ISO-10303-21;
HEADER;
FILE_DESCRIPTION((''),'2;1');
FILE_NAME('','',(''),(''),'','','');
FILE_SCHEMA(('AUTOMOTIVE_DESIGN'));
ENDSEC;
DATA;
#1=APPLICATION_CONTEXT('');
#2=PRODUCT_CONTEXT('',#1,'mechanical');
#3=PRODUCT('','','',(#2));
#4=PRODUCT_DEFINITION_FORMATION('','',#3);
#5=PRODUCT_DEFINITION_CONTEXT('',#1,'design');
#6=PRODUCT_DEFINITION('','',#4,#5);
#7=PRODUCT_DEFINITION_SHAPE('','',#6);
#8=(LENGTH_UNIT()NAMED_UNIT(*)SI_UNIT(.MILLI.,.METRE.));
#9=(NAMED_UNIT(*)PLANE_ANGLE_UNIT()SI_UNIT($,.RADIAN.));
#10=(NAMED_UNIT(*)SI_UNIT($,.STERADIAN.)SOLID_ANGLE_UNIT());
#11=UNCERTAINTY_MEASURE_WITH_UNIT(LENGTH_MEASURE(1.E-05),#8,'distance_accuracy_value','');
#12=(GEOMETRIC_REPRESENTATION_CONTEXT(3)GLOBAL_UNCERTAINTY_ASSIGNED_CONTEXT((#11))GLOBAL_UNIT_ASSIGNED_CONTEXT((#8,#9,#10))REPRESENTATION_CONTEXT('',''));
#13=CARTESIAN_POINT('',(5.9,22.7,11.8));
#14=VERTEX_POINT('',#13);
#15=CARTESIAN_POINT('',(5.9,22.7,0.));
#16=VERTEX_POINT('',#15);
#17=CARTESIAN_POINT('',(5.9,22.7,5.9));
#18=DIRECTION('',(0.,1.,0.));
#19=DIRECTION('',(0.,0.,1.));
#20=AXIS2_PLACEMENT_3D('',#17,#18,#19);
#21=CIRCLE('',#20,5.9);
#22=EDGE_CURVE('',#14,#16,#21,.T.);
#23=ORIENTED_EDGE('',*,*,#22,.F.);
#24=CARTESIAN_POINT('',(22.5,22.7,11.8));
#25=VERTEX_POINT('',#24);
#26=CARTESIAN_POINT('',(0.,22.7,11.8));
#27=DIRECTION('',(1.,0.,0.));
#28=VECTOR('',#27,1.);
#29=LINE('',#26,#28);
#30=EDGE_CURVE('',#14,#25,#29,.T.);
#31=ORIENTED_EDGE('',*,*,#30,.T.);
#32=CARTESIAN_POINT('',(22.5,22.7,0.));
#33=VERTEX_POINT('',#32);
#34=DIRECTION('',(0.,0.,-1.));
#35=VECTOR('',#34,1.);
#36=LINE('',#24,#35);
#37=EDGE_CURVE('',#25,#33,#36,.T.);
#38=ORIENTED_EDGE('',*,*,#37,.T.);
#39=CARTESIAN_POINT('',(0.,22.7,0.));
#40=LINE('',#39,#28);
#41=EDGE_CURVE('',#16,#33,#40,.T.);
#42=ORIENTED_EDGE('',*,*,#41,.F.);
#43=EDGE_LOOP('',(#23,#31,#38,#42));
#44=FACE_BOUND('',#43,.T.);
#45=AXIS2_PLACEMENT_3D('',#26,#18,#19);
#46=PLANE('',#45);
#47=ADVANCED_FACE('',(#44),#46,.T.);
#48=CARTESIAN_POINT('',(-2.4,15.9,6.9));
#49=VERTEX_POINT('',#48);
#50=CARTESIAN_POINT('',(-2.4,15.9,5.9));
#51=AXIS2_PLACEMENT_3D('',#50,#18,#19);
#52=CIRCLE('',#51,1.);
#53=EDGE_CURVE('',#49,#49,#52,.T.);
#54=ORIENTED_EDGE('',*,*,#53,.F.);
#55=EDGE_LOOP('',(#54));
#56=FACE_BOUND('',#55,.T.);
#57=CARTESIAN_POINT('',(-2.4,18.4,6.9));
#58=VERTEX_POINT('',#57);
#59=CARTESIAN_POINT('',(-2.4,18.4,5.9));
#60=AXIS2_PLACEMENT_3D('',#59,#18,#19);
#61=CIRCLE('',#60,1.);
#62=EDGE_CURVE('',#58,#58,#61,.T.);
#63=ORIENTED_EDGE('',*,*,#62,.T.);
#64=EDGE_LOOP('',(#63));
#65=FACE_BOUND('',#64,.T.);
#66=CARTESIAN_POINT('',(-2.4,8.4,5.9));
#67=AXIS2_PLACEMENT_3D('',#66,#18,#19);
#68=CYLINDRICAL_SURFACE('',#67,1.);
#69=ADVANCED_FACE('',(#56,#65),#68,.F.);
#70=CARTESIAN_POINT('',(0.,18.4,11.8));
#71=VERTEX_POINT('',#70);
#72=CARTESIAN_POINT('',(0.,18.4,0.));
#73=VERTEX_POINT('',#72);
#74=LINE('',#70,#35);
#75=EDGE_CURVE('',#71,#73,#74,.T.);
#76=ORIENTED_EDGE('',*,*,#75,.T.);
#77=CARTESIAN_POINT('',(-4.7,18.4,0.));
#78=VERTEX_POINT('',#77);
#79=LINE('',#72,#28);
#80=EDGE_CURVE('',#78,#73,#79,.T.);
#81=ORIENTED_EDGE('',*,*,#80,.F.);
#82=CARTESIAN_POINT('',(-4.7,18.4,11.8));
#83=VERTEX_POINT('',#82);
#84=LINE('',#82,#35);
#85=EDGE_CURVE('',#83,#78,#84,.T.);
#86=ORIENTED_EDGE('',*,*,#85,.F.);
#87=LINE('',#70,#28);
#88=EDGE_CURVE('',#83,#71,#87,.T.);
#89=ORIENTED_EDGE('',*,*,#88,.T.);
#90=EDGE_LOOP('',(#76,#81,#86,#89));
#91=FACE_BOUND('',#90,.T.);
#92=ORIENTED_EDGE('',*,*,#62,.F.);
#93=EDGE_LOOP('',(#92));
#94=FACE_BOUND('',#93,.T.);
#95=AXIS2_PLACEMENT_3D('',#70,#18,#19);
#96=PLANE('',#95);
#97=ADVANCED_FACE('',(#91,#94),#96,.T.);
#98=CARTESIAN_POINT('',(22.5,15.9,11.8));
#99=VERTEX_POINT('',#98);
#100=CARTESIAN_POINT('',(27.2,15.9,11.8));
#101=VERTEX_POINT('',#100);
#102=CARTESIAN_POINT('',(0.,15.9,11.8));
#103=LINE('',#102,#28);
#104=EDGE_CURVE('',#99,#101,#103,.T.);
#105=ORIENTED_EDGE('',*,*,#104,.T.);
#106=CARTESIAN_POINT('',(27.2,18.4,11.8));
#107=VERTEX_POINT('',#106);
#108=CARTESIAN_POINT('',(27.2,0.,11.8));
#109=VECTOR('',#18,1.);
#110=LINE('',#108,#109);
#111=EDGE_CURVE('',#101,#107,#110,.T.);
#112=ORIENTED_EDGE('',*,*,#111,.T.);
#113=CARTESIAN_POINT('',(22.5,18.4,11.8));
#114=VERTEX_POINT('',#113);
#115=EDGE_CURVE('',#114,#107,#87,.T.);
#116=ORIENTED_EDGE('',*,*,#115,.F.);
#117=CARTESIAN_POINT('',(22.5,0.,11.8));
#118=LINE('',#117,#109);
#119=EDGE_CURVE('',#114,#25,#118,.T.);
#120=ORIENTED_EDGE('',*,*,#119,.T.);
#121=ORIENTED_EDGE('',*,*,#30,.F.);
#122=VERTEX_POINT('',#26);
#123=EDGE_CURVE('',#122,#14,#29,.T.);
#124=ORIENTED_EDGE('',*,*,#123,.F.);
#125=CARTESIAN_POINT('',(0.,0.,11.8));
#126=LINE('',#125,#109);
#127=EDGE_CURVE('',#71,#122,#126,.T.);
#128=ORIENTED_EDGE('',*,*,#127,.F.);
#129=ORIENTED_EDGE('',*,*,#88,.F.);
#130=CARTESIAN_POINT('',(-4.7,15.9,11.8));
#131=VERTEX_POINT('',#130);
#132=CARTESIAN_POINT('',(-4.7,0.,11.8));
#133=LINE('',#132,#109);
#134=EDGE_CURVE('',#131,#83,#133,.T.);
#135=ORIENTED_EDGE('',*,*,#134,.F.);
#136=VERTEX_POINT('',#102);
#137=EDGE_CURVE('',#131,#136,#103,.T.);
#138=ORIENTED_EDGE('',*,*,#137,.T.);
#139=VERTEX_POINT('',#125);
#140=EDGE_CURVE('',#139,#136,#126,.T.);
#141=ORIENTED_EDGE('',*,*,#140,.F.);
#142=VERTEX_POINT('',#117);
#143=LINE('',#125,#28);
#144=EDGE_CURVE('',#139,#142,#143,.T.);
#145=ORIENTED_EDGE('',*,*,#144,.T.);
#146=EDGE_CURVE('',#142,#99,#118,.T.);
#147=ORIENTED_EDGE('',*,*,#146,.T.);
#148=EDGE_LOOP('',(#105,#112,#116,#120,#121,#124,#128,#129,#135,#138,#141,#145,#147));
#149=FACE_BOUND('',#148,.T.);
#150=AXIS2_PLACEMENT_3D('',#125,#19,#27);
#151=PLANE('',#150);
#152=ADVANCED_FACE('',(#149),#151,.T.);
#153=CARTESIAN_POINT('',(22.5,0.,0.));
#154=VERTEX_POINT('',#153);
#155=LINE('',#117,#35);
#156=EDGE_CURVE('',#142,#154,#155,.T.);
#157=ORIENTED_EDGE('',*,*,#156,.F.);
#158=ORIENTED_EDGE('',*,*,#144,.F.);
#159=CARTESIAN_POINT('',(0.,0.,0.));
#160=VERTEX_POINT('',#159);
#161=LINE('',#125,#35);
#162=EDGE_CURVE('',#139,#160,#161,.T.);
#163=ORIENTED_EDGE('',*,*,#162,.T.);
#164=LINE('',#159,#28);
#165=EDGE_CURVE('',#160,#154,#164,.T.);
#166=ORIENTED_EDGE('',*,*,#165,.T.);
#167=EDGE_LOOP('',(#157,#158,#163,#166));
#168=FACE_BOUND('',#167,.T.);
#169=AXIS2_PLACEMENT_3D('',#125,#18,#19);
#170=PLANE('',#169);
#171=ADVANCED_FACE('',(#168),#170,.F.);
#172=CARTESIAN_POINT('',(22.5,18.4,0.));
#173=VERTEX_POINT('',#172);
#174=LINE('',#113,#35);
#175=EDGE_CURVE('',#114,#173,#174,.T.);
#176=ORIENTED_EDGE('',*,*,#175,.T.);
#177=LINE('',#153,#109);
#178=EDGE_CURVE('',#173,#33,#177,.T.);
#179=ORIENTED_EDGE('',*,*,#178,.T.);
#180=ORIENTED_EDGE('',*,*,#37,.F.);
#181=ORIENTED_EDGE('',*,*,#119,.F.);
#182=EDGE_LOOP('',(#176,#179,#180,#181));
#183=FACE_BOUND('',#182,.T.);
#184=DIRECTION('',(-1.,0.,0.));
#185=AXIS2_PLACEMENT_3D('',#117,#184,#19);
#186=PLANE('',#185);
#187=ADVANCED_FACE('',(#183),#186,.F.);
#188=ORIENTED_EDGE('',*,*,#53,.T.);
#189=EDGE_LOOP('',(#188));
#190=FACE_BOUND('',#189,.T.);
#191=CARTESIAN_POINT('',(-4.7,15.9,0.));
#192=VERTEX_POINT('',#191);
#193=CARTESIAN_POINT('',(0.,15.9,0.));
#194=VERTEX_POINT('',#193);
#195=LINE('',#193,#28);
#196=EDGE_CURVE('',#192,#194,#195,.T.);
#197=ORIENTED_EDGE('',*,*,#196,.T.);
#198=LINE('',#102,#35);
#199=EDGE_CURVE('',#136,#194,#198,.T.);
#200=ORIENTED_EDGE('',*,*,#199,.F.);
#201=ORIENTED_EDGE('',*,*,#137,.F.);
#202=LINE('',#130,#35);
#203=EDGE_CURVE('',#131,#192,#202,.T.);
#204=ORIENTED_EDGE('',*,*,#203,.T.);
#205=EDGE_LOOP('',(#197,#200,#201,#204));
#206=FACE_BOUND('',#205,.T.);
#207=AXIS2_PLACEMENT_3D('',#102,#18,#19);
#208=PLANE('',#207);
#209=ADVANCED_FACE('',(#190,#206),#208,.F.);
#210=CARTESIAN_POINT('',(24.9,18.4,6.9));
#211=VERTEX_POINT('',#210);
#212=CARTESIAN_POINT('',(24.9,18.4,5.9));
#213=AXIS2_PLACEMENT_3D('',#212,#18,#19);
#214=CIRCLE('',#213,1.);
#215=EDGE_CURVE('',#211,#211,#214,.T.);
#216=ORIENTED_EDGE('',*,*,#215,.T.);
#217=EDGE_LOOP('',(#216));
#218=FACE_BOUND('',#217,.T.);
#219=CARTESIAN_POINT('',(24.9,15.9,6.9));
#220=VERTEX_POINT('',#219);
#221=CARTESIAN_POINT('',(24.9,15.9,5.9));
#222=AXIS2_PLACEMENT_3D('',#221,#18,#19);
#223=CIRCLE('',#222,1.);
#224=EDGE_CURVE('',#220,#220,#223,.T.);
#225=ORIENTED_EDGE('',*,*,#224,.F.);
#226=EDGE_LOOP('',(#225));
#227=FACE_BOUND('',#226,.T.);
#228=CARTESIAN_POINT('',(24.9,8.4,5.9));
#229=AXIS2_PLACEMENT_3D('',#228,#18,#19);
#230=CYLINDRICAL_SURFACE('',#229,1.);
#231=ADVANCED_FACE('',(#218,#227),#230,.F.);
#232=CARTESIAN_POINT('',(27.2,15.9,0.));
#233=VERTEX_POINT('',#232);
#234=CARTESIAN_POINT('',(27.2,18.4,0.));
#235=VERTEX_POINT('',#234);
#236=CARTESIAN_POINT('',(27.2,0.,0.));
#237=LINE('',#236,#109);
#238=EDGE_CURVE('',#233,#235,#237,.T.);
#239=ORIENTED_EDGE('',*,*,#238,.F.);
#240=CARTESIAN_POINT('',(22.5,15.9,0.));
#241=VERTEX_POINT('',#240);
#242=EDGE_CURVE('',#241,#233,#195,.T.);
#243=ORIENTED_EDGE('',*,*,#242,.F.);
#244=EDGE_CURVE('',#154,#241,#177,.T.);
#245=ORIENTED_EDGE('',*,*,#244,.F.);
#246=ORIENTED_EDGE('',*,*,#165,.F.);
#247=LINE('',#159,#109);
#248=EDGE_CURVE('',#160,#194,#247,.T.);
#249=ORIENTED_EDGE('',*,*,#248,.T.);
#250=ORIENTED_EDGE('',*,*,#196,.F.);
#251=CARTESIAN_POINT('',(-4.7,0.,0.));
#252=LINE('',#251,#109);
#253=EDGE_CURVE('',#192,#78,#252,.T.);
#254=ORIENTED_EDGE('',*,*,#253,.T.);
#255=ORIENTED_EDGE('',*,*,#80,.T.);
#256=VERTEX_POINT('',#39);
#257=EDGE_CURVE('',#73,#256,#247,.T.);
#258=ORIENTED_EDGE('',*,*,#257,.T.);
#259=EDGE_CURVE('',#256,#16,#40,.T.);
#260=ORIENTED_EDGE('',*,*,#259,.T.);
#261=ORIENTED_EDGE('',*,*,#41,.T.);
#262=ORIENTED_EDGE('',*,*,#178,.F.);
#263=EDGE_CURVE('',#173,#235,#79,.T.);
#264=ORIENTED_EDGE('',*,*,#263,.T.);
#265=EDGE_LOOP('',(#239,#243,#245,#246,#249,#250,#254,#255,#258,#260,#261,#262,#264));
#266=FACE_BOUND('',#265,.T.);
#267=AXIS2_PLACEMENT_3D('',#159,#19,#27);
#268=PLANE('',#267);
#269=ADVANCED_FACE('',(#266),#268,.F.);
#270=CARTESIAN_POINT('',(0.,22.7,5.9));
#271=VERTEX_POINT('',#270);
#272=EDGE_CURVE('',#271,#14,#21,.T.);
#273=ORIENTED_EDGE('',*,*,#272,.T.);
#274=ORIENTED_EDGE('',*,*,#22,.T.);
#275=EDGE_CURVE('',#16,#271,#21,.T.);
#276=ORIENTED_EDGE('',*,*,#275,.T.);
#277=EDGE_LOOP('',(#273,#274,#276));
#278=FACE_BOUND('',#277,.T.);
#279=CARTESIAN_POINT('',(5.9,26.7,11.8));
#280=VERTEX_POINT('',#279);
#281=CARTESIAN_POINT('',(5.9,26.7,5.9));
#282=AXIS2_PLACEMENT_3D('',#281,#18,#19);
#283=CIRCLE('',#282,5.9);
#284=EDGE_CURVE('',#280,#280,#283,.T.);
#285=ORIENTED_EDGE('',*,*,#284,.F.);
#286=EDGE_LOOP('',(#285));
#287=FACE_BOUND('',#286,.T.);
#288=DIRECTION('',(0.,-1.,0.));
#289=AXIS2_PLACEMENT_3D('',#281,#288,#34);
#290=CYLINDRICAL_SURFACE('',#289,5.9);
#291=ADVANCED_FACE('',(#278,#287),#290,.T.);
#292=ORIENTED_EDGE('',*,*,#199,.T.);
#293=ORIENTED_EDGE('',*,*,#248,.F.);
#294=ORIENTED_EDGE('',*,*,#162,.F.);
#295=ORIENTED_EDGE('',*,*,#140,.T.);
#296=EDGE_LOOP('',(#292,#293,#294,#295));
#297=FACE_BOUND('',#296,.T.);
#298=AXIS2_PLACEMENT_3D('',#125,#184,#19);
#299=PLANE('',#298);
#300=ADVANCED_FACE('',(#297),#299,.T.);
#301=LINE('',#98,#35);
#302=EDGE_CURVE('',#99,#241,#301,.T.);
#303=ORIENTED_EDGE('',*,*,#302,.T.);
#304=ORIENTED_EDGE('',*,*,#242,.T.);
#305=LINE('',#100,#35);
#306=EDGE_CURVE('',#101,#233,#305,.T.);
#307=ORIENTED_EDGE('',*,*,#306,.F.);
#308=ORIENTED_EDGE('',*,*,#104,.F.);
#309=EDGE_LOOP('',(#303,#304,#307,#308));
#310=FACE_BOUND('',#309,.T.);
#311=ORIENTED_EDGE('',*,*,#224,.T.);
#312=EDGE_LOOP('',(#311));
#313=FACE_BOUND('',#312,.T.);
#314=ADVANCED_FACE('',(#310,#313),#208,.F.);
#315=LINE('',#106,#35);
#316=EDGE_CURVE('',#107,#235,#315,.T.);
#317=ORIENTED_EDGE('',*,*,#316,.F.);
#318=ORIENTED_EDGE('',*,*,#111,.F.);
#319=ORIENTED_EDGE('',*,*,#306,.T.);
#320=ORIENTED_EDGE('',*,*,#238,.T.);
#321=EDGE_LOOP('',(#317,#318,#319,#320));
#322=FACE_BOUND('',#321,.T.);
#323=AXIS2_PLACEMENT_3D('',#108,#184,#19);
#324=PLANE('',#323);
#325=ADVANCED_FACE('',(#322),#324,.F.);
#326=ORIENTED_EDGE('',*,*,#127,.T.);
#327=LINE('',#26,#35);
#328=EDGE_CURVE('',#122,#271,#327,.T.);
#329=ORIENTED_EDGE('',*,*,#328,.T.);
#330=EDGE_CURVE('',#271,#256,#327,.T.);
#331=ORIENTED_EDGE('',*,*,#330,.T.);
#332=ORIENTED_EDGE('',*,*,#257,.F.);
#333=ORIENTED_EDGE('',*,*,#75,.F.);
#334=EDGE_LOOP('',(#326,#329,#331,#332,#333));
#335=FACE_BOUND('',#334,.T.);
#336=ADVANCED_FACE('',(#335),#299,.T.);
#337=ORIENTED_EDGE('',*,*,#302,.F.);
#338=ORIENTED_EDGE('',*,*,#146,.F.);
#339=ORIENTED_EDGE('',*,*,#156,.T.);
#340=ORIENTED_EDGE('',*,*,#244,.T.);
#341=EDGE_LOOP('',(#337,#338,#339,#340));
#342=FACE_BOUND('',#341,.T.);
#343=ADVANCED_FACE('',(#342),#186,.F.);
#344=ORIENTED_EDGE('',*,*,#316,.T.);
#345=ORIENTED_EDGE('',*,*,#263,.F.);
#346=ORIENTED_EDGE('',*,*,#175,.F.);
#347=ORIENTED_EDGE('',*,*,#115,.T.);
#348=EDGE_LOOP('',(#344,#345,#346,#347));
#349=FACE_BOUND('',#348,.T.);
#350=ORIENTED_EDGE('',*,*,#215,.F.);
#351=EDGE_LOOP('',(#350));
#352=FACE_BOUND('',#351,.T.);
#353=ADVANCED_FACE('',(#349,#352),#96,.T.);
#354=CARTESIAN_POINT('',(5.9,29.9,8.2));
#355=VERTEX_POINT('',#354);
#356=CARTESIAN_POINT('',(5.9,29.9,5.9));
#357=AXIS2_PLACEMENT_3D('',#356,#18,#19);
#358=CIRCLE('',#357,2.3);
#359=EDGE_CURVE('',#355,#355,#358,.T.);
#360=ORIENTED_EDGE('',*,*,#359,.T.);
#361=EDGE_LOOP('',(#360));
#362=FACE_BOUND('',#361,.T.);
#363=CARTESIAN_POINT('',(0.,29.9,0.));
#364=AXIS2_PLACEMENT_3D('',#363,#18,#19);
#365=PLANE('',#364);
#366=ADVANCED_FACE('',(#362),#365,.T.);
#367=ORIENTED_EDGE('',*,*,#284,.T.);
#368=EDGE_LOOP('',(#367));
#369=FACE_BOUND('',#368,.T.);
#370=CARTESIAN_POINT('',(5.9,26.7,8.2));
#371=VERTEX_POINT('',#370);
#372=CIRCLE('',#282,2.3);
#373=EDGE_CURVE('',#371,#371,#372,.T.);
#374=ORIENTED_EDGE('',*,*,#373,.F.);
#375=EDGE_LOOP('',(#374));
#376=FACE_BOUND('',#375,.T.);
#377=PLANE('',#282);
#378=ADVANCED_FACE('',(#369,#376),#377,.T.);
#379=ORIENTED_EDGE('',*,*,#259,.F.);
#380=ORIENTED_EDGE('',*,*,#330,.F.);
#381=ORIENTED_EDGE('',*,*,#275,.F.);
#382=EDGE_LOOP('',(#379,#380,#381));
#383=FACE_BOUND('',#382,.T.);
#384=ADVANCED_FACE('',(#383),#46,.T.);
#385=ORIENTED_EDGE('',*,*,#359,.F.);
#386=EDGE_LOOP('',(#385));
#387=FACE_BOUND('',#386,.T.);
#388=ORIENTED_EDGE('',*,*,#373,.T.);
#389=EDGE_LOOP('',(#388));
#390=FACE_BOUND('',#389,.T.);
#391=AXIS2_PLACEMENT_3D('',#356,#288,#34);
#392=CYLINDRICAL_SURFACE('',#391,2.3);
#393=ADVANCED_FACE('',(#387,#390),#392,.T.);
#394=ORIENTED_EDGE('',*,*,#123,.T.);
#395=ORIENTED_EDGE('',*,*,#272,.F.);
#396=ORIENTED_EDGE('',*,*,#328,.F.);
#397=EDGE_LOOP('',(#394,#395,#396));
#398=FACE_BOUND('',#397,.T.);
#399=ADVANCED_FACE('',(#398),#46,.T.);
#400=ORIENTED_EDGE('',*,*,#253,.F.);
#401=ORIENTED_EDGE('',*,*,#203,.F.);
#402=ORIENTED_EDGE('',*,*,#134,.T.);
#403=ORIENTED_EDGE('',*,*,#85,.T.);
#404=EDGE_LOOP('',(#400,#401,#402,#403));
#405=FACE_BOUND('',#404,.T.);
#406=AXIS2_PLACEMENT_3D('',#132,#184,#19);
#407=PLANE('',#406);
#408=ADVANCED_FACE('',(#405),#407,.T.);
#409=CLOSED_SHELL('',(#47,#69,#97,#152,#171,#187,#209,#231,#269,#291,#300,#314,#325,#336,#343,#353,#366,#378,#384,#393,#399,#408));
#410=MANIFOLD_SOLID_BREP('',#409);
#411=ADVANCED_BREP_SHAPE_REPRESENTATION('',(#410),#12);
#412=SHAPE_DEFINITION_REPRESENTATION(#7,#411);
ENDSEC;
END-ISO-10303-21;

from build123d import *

# Parameters (mm, degrees)
SKETCH1_W           = 4.7
SKETCH1_H           = 2.5
SKETCH1_W_2         = 22.5
SKETCH1_H_2         = 22.7
BOSS_EXTRUDE1_DEPTH = 11.8
SKETCH3_R           = 5.9
BOSS_EXTRUDE2_DEPTH = 4
BOSS_EXTRUDE3_DEPTH = 3.2
SKETCH6_R           = 1
CUT_EXTRUDE1_DEPTH  = 10


with BuildPart() as part:
    # Sketch1 → Boss-Extrude1 (new body)
    with BuildSketch(Plane.XY):
        with Locations((24.85, 17.15)):
            Rectangle(SKETCH1_W, SKETCH1_H)
        with Locations((11.25, 11.35)):
            Rectangle(SKETCH1_W_2, SKETCH1_H_2)
        with Locations((-2.35, 17.15)):
            Rectangle(SKETCH1_W, SKETCH1_H)
    extrude(amount=BOSS_EXTRUDE1_DEPTH)

    # Sketch3 → Boss-Extrude2 (add)
    with BuildSketch(Plane(origin=(0, 22.7, 0), x_dir=(1, 0, 0), z_dir=(0, 1, 0))):
        with Locations((5.9, -5.9)):
            Circle(SKETCH3_R)
    extrude(amount=BOSS_EXTRUDE2_DEPTH)

    # Sketch5 → Boss-Extrude3 (add)
    with BuildSketch(Plane(origin=(0, 26.7, 0), x_dir=(1, 0, 0), z_dir=(0, 1, 0))):
        with BuildLine():
            ThreePointArc((8.2, -5.9), (5.9, -3.6), (3.6, -5.9))
            Line((3.6, -5.9), (8.2, -5.9))
        make_face()
        with BuildLine():
            Line((8.2, -5.9), (3.6, -5.9))
            ThreePointArc((3.6, -5.9), (5.9, -8.2), (8.2, -5.9))
        make_face()
    extrude(amount=BOSS_EXTRUDE3_DEPTH)

    # Sketch6 → Cut-Extrude1 (cut)
    with BuildSketch(Plane(origin=(0, 18.4, 0), x_dir=(1, 0, 0), z_dir=(0, 1, 0))):
        with Locations((24.9, -5.9)):
            Circle(SKETCH6_R)
        with Locations((-2.4, -5.9)):
            Circle(SKETCH6_R)
    extrude(amount=-CUT_EXTRUDE1_DEPTH, mode=Mode.SUBTRACT)


solid = part.part
